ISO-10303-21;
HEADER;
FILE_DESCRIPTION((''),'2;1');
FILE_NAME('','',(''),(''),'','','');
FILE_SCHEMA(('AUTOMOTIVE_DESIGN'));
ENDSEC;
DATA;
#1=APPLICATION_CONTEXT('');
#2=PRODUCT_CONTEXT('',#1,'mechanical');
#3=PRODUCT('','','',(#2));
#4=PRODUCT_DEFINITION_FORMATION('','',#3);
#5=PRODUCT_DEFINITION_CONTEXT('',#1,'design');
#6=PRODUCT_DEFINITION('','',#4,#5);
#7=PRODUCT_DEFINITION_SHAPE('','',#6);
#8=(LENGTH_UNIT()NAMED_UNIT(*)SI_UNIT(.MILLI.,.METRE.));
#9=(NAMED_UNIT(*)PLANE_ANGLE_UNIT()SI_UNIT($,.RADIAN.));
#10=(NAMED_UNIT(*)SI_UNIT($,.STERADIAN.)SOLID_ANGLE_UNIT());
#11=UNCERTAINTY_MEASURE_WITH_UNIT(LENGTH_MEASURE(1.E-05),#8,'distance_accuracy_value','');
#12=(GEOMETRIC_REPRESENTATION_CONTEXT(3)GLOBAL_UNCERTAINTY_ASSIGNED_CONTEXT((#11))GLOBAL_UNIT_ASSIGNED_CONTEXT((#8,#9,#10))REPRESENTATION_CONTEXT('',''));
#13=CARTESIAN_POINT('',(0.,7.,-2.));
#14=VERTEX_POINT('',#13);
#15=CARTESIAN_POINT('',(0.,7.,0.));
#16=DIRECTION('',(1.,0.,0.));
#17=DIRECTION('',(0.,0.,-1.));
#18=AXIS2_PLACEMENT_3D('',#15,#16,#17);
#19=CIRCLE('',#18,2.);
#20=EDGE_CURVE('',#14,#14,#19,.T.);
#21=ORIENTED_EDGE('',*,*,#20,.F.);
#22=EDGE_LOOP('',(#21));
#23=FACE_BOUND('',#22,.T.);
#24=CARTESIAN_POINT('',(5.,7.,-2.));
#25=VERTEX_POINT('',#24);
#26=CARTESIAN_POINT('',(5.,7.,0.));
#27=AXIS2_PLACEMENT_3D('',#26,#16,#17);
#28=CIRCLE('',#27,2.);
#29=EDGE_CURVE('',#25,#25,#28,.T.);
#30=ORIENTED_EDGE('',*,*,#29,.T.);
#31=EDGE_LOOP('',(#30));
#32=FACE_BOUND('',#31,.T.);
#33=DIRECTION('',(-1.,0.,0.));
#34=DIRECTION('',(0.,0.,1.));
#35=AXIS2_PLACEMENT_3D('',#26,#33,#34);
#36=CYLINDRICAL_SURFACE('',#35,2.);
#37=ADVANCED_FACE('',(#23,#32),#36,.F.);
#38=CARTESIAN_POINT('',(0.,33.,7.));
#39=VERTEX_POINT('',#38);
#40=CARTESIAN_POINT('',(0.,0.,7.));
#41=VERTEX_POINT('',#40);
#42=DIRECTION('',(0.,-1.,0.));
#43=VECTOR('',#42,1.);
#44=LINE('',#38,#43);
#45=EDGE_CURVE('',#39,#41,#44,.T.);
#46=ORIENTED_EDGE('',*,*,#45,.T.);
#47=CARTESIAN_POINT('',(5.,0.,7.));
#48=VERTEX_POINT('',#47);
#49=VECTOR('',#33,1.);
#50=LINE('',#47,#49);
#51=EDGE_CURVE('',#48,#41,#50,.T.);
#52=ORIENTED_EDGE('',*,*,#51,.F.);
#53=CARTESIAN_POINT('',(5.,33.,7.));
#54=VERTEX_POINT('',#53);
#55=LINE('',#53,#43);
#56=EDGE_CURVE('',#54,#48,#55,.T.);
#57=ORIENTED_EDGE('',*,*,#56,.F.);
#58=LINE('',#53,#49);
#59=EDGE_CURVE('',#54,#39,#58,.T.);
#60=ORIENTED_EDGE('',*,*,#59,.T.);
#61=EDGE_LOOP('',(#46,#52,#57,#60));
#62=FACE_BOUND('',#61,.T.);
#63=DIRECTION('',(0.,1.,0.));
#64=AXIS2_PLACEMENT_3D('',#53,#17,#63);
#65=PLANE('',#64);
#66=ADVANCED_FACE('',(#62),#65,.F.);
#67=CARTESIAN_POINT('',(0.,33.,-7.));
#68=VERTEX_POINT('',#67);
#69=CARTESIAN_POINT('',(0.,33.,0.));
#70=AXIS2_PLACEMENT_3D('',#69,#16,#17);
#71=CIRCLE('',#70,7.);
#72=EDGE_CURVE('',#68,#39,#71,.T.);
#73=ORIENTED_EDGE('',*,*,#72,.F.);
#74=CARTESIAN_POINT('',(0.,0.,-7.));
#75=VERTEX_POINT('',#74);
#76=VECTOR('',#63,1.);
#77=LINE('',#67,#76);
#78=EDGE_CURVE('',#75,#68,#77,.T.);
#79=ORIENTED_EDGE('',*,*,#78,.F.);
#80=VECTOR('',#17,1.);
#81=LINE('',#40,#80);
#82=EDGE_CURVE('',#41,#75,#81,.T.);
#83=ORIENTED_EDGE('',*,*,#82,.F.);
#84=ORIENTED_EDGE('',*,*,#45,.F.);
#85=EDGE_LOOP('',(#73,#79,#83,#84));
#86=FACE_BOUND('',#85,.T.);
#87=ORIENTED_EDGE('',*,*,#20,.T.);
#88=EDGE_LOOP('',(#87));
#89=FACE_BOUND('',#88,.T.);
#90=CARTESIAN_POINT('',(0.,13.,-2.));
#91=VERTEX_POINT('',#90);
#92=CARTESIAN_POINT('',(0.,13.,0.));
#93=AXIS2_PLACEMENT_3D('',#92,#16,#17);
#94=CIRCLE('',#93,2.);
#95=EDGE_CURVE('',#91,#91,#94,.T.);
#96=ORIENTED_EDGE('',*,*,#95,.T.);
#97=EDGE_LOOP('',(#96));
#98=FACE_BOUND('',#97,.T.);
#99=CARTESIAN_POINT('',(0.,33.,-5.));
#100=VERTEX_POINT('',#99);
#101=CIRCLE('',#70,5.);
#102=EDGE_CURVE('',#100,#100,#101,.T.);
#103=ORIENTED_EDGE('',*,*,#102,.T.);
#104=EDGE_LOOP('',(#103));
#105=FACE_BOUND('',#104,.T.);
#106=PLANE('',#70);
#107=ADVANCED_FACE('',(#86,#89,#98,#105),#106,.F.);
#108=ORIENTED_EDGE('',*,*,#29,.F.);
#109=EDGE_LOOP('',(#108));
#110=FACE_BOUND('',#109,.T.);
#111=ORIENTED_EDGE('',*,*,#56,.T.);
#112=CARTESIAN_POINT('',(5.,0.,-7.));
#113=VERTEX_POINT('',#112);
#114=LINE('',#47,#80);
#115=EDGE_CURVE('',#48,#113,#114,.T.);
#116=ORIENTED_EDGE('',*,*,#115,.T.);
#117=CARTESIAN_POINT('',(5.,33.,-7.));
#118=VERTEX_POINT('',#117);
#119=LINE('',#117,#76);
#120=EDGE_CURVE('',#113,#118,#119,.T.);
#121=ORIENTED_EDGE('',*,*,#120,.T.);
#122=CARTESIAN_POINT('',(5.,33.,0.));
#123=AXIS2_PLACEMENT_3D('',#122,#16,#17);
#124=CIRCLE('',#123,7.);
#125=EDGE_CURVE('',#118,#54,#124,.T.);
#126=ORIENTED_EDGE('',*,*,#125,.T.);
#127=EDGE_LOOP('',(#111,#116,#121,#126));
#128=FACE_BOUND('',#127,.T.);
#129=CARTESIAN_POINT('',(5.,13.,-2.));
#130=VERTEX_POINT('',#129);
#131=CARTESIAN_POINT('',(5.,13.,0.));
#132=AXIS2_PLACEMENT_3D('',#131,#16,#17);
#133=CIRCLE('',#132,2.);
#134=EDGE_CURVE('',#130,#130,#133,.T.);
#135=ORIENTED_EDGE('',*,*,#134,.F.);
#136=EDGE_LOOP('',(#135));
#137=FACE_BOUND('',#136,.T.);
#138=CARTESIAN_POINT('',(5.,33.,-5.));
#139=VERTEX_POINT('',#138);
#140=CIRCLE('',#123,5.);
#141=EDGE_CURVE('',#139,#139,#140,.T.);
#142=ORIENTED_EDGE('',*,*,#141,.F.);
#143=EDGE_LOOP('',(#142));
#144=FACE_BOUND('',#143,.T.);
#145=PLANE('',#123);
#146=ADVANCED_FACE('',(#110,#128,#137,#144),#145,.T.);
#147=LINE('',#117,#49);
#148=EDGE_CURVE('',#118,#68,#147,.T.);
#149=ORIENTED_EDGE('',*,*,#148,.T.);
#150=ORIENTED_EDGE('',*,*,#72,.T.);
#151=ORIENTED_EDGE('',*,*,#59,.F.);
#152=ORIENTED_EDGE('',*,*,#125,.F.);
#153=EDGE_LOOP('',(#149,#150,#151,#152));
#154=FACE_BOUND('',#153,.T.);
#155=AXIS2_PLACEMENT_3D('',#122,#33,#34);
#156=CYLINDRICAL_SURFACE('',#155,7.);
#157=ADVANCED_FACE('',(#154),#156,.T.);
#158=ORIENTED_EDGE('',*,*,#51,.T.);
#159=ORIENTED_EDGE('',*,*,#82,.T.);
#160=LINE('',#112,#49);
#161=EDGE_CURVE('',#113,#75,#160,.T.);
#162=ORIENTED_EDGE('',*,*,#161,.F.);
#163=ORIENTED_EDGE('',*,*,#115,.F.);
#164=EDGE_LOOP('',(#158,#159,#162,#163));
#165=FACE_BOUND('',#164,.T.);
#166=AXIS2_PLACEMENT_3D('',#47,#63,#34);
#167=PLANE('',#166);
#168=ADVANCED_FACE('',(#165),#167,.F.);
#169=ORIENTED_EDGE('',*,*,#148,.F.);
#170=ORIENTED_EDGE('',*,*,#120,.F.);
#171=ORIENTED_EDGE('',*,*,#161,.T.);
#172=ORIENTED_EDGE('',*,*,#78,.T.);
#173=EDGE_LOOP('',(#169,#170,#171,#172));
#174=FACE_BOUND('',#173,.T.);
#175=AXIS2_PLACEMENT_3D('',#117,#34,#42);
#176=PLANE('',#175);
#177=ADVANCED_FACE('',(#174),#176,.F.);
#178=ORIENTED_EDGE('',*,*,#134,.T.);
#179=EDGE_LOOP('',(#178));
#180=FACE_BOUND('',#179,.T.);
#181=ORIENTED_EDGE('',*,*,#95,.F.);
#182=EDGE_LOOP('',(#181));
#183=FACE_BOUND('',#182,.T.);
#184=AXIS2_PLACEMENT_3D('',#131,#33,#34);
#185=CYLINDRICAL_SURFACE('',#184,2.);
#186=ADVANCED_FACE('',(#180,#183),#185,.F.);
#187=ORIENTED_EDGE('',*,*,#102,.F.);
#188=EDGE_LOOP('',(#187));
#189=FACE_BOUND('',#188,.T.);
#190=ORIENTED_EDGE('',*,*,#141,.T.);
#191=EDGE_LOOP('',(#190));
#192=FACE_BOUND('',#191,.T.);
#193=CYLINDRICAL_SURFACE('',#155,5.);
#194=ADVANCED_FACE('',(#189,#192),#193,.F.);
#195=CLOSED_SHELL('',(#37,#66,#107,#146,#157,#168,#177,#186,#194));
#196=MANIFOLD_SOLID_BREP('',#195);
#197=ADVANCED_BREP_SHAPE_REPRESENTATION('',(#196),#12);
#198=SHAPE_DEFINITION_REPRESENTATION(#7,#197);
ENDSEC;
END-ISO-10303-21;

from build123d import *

# Parameters (mm, degrees)
SKETCH_1_R      = 5
SKETCH_1_R_2    = 2
EXTRUDE_1_DEPTH = 5


with BuildPart() as part:
    # 草图1 → 凸台-拉伸1 (new body)
    with BuildSketch(Plane(origin=(0, 0, 0), x_dir=(0, 0, -1), z_dir=(1, 0, 0))):
        with BuildLine():
            Line((-7, 33), (-7, 0))
            Line((-7, 0), (7, 0))
            Line((7, 0), (7, 33))
            ThreePointArc((7, 33), (0, 40), (-7, 33))
        make_face()
        with Locations((0, 33)):
            Circle(SKETCH_1_R, mode=Mode.SUBTRACT)
        with Locations((0, 13)):
            Circle(SKETCH_1_R_2, mode=Mode.SUBTRACT)
        with Locations((0, 7)):
            Circle(SKETCH_1_R_2, mode=Mode.SUBTRACT)
    extrude(amount=EXTRUDE_1_DEPTH)


solid = part.part
